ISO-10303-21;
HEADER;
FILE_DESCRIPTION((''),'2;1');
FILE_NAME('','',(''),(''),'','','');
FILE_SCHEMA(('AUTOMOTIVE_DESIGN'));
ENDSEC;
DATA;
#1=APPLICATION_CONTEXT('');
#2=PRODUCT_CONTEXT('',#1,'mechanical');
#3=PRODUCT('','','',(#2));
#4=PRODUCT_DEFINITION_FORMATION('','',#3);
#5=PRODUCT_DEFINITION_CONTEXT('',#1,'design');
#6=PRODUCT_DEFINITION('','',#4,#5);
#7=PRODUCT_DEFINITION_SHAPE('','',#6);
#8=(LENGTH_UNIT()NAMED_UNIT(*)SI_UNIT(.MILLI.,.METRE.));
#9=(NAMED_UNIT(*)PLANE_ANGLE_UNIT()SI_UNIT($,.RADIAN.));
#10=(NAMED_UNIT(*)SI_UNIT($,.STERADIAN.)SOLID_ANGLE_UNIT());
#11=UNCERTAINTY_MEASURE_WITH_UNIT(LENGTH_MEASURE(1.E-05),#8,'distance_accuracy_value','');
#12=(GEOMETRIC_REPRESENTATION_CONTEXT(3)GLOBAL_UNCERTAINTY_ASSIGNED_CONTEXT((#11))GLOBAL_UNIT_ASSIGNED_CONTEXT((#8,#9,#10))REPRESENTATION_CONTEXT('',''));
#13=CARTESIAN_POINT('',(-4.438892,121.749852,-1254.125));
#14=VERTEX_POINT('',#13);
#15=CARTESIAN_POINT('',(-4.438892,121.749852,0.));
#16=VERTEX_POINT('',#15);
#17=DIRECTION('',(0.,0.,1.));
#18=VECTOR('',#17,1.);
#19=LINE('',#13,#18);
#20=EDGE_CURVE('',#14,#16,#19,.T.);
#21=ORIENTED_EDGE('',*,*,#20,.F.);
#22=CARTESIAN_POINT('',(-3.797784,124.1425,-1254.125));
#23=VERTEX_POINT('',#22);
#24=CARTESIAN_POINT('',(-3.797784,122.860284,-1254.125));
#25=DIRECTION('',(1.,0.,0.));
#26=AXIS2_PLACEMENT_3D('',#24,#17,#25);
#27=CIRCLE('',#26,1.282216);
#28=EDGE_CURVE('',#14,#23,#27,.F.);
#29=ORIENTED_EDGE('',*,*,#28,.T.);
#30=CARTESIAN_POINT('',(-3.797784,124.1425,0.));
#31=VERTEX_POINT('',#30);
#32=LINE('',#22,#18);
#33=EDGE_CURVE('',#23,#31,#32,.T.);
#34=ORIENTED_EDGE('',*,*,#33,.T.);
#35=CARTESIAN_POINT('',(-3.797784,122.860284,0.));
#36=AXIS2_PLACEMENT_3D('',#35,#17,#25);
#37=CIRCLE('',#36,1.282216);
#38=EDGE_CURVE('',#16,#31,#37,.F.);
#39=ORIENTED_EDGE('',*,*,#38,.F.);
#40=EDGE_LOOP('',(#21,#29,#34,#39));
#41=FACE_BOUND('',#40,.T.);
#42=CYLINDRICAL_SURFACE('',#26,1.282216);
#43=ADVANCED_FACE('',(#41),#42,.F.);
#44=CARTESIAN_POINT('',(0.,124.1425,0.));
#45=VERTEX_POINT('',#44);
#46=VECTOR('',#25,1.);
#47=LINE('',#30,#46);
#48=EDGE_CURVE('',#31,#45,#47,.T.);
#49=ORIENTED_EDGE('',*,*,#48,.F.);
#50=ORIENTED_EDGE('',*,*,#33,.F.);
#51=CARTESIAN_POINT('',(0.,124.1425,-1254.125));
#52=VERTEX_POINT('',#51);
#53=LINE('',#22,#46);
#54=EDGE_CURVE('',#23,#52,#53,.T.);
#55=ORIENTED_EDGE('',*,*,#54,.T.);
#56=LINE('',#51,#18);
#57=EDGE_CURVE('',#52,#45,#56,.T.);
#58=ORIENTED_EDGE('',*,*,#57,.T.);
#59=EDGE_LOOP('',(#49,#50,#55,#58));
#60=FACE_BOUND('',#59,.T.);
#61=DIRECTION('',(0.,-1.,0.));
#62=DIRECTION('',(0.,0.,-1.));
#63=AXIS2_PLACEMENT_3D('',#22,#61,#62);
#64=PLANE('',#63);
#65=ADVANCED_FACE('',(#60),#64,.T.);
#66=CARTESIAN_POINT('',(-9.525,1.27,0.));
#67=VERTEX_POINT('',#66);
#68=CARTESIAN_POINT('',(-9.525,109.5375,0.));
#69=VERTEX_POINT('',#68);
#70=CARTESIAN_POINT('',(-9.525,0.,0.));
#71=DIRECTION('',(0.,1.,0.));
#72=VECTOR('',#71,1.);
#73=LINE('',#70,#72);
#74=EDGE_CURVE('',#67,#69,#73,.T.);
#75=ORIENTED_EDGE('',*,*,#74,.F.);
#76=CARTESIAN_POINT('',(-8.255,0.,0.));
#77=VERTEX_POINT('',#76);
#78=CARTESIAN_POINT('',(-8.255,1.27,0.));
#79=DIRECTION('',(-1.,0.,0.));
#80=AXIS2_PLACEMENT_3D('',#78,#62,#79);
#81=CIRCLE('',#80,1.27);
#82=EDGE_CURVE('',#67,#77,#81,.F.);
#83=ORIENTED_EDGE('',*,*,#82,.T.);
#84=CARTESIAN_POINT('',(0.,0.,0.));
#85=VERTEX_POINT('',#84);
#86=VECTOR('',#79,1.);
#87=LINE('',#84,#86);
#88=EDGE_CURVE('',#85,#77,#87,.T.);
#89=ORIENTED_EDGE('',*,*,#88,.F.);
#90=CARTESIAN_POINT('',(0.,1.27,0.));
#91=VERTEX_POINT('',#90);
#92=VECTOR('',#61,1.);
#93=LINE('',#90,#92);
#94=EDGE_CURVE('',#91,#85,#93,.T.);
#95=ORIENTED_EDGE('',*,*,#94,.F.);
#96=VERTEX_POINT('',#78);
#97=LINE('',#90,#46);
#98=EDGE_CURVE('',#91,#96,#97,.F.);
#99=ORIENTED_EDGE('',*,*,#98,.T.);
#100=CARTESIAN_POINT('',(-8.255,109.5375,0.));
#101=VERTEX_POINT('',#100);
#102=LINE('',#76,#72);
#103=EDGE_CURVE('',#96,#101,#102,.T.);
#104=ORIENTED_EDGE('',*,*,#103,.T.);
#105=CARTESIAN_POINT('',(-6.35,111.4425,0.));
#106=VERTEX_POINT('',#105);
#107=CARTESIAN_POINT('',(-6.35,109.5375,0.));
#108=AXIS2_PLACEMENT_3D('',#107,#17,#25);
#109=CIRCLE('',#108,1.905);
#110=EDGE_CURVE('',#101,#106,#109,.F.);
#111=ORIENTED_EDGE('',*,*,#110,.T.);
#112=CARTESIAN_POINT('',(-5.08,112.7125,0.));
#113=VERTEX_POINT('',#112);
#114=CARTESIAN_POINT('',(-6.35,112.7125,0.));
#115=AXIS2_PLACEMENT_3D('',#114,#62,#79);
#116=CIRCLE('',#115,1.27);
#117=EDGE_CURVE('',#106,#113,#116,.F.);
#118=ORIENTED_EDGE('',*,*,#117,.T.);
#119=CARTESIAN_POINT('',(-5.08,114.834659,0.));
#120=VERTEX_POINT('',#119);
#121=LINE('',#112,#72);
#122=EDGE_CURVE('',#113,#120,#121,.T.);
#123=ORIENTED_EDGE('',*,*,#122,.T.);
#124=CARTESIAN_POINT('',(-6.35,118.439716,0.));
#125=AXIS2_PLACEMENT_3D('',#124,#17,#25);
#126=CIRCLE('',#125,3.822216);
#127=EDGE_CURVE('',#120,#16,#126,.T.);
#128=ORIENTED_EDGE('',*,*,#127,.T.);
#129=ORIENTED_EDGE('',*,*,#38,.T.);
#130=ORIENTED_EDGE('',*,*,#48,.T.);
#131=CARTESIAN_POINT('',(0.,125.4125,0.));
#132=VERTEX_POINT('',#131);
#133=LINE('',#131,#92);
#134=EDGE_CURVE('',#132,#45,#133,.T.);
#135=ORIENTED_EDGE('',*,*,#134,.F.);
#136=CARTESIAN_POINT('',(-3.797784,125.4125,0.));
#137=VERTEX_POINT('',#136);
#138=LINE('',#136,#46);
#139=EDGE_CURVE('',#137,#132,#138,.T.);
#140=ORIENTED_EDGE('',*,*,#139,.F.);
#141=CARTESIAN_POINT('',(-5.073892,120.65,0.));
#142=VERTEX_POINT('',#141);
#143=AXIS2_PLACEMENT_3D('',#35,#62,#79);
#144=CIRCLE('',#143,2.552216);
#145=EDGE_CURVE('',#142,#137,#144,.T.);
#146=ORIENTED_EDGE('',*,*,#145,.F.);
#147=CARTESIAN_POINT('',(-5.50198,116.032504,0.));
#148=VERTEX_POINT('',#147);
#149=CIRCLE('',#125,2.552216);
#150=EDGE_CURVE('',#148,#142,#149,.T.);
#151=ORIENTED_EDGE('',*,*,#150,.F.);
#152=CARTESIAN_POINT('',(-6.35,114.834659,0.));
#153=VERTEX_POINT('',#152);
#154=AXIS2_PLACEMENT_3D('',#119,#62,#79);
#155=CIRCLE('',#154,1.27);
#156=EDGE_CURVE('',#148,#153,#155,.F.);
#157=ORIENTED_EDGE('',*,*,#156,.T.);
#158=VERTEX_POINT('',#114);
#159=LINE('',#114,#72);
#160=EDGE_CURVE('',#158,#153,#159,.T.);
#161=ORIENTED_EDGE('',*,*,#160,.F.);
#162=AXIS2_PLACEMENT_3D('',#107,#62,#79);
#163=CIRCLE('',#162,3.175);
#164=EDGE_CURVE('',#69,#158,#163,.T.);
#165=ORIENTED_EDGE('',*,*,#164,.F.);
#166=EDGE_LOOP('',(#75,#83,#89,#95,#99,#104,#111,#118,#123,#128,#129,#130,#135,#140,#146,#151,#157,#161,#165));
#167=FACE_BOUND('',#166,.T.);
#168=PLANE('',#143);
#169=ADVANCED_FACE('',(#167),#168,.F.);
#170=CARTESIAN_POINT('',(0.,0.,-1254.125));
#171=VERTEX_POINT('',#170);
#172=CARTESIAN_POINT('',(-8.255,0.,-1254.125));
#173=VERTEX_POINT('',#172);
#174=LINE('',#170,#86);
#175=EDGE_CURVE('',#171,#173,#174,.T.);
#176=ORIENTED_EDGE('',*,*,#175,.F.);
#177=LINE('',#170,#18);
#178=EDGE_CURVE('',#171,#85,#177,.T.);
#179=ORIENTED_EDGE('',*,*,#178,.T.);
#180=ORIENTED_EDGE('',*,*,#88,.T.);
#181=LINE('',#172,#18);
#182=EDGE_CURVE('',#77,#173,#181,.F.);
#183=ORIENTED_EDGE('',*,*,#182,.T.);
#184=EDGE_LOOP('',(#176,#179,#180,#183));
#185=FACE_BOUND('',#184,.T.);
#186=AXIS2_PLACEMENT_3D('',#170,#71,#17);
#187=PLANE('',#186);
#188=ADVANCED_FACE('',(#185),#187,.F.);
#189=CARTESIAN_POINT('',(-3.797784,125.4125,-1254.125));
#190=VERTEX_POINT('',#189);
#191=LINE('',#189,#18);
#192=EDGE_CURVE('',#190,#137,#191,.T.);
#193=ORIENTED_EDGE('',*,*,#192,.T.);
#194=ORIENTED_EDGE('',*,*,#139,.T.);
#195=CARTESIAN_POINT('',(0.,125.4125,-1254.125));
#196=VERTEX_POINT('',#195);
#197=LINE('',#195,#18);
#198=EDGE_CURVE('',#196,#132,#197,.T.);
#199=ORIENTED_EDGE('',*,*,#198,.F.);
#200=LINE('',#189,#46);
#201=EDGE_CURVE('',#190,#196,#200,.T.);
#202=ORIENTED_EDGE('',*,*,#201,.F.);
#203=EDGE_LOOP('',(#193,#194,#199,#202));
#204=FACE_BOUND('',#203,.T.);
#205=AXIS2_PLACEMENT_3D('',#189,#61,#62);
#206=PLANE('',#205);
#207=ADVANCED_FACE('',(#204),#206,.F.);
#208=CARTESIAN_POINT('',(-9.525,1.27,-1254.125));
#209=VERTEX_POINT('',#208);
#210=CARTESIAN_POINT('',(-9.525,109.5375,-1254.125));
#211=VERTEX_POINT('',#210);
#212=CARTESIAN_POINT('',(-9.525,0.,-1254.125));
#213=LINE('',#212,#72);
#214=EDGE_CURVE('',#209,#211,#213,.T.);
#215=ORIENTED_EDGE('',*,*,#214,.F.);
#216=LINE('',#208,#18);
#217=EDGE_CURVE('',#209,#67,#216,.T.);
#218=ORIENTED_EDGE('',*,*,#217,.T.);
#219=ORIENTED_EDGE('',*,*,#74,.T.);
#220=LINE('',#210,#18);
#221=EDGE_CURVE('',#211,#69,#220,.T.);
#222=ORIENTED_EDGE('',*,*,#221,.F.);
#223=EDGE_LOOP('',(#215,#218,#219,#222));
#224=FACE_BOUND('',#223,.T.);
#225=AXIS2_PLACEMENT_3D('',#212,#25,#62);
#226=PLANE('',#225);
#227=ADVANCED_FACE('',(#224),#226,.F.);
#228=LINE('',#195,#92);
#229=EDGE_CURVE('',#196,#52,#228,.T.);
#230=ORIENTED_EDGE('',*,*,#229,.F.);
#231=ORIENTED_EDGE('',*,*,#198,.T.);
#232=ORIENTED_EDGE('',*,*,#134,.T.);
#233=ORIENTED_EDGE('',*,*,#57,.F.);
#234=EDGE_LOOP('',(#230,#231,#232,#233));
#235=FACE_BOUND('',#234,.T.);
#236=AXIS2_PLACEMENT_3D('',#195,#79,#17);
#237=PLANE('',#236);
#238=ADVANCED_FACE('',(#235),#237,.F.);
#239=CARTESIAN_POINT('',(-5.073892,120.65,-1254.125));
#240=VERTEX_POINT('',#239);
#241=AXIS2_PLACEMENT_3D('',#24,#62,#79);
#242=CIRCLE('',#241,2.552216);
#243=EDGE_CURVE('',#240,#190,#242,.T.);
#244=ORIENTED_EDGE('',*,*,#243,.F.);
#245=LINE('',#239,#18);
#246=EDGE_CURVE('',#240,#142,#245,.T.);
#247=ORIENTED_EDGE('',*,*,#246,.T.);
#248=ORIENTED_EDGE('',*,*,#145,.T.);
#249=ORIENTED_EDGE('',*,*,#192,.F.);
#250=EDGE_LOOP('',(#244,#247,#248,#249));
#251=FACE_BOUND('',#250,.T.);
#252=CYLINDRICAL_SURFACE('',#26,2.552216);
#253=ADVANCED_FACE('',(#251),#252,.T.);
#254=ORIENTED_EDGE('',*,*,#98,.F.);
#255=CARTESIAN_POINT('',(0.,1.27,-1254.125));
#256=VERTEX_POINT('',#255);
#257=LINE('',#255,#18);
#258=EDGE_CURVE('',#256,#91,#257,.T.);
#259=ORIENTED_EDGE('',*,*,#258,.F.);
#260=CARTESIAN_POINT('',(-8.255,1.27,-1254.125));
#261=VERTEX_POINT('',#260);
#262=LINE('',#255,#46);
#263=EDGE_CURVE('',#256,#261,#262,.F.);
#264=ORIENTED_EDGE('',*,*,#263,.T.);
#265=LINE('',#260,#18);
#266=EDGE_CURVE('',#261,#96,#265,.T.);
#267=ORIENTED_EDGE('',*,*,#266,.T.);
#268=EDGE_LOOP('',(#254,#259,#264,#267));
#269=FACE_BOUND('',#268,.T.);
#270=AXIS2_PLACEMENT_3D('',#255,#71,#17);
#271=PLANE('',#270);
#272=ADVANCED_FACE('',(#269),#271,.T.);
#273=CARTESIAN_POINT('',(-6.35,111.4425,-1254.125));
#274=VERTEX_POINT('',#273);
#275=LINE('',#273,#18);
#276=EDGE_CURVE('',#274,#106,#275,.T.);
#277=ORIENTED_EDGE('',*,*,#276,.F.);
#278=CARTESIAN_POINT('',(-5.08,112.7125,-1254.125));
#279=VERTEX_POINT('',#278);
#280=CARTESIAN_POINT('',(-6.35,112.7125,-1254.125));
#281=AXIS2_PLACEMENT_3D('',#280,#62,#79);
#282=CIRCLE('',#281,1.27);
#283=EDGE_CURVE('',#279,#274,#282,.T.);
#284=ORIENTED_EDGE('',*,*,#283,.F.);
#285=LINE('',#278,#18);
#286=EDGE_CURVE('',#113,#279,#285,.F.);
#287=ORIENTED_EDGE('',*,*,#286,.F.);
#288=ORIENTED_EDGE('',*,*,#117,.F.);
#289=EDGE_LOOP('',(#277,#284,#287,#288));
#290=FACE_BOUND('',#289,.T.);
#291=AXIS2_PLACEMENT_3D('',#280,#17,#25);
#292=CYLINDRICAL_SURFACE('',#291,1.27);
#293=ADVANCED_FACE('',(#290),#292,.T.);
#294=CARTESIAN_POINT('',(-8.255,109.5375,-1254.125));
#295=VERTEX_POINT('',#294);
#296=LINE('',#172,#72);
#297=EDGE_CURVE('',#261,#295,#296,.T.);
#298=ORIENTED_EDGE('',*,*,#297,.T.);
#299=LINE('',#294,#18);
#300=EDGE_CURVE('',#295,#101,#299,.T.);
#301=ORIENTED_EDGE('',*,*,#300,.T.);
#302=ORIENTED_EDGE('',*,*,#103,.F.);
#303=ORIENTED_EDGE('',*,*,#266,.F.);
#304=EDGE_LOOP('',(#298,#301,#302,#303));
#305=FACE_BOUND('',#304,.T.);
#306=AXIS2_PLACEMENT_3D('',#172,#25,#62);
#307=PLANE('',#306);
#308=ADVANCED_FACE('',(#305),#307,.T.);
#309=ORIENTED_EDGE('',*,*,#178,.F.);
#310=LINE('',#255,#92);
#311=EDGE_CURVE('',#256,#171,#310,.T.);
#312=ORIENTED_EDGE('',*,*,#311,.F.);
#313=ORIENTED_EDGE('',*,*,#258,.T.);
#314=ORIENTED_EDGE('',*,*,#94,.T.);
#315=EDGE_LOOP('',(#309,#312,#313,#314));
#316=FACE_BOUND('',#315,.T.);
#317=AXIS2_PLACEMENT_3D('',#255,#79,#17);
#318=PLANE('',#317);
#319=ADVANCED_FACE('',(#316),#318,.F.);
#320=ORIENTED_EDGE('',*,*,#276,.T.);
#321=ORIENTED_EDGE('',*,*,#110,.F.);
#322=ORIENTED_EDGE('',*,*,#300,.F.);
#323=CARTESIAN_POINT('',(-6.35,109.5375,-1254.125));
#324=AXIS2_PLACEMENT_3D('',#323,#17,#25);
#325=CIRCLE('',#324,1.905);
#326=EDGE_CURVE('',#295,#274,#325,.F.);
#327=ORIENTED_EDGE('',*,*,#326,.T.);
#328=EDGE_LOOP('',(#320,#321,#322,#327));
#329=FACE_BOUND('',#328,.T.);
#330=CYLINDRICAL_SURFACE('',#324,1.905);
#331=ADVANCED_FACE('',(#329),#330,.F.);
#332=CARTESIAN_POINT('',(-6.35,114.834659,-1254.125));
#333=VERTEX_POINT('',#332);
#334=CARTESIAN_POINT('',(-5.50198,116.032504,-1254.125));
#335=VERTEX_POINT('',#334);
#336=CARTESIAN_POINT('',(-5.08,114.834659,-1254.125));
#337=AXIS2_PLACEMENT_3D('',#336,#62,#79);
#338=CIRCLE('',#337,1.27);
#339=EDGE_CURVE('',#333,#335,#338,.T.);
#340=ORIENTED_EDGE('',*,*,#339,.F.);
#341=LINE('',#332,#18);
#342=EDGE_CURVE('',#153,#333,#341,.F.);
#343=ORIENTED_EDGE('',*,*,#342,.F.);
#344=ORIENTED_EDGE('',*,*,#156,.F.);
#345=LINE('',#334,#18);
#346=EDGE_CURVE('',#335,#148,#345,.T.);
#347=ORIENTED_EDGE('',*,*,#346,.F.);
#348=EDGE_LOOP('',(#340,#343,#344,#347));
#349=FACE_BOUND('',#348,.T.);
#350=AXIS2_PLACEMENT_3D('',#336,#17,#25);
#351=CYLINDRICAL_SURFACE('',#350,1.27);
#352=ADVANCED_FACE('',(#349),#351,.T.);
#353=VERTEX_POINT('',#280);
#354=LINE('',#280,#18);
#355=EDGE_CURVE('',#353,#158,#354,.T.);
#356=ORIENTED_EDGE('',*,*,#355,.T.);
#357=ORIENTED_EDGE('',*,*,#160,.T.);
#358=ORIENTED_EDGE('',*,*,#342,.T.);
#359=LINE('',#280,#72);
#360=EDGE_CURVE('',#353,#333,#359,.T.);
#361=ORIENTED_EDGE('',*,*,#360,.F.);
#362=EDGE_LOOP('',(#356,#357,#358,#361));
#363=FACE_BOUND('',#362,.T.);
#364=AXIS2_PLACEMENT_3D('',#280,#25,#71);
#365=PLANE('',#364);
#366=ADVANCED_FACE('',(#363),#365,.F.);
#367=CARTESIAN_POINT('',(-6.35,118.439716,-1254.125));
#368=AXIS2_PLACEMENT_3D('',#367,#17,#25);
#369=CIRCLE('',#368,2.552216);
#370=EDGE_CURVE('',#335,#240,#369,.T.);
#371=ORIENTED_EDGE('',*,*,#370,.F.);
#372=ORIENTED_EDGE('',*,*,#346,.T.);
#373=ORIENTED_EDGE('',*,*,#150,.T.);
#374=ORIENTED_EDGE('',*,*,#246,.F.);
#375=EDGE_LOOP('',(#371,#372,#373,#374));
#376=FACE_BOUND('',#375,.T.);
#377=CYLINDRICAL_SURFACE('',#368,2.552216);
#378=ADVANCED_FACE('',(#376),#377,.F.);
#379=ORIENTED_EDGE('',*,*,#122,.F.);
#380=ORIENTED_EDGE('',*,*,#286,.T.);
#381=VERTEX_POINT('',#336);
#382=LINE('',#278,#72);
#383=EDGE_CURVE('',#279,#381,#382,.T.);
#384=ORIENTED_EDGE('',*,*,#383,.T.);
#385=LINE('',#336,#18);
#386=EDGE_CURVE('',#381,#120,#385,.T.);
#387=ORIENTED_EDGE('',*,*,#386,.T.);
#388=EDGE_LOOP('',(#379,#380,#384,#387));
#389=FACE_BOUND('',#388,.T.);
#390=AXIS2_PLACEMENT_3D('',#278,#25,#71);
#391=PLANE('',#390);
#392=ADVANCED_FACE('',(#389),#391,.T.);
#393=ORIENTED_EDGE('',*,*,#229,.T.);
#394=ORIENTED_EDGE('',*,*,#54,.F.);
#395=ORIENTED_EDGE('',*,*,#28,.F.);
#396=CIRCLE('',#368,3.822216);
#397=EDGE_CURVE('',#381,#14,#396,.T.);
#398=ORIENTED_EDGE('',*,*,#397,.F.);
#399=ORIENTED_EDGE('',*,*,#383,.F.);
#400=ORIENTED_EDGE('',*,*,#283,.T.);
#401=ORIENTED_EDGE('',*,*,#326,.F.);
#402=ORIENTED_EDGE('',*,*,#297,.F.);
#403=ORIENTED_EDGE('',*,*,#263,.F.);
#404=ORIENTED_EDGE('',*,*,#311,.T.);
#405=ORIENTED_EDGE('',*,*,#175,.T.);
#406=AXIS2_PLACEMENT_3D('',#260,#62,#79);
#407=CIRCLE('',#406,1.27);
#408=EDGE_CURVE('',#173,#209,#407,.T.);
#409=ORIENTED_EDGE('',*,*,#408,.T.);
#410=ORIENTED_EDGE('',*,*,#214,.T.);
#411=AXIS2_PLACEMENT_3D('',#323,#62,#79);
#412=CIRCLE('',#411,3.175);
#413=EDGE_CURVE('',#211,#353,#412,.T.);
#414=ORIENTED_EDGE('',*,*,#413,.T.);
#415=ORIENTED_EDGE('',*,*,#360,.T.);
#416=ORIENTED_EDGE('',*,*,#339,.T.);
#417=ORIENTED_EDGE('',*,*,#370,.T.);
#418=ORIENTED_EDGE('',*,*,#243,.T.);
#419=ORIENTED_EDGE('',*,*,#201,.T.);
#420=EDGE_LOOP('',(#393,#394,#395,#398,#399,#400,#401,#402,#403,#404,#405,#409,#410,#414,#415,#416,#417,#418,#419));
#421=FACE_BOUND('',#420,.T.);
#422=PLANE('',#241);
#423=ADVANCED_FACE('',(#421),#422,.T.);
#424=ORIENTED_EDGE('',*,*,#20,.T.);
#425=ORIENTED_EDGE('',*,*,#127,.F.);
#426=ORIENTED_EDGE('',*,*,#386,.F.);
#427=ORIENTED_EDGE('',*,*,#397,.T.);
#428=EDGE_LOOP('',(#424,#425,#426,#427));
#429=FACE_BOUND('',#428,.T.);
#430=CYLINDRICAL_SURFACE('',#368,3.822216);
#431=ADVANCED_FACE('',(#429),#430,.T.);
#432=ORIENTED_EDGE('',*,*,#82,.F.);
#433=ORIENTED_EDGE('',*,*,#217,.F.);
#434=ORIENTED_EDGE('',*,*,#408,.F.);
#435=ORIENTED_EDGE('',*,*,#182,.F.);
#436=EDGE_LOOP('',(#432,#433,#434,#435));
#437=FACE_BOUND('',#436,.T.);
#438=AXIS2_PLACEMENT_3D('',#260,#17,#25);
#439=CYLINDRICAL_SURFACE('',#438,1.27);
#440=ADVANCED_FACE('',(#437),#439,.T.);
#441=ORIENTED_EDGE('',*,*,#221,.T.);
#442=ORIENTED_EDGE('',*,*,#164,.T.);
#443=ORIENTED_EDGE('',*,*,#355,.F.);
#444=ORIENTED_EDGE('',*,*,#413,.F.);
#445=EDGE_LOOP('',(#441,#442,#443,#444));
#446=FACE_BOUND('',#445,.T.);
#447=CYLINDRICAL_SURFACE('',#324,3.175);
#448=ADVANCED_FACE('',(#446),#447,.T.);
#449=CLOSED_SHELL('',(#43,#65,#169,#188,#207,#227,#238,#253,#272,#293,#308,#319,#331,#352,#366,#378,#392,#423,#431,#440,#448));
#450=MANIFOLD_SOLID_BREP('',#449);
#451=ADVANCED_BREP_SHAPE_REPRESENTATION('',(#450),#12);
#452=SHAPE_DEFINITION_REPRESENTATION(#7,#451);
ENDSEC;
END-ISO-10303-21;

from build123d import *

# Parameters (mm, degrees)
EXTRUDE_THIN1_DEPTH = 1254.125
FILLET1_R           = 1.27


with BuildPart() as part:
    # Sketch1 → Extrude-Thin1 (new body)
    with BuildSketch(Plane.XY):
        with BuildLine():
            Line((0, 0), (-9.525, 0))
            Line((-9.525, 0), (-9.525, 109.5375))
            ThreePointArc((-9.525, 109.5375), (-8.59506403, 111.78256403), (-6.35, 112.7125))
            Line((-6.35, 112.7125), (-6.35, 115.8875))
            ThreePointArc((-6.35, 115.8875), (-3.884748595, 117.779153935), (-5.073891971, 120.65))
            ThreePointArc((-5.073891971, 120.65), (-6.263035347, 123.520846065), (-3.797783942, 125.4125))
            Line((-3.797783942, 125.4125), (0, 125.4125))
            Line((0, 125.4125), (0, 124.1425))
            Line((0, 124.1425), (-3.797783942, 124.1425))
            ThreePointArc((-3.797783942, 124.1425), (-5.036309547, 123.192145878), (-4.438891971, 121.749852263))
            ThreePointArc((-4.438891971, 121.749852263), (-2.544105078, 118.08687128), (-5.08, 114.834659111))
            Line((-5.08, 114.834659111), (-5.08, 110.957403166))
            ThreePointArc((-5.08, 110.957403166), (-7.127712993, 111.27651912), (-8.255, 109.5375))
            Line((-8.255, 109.5375), (-8.255, 1.27))
            Line((-8.255, 1.27), (0, 1.27))
            Line((0, 1.27), (0, 0))
        make_face()
    extrude(amount=-EXTRUDE_THIN1_DEPTH)

    # Fillet1
    fillet1_edges = [part.edges().sort_by_distance(p)[0] for p in [
        (-5.08, 110.957403166, -627.0625),
        (-9.525, 0, -627.0625),
        (-6.35, 115.8875, -627.0625),
    ]]
    fillet(fillet1_edges, radius=FILLET1_R)


solid = part.part
